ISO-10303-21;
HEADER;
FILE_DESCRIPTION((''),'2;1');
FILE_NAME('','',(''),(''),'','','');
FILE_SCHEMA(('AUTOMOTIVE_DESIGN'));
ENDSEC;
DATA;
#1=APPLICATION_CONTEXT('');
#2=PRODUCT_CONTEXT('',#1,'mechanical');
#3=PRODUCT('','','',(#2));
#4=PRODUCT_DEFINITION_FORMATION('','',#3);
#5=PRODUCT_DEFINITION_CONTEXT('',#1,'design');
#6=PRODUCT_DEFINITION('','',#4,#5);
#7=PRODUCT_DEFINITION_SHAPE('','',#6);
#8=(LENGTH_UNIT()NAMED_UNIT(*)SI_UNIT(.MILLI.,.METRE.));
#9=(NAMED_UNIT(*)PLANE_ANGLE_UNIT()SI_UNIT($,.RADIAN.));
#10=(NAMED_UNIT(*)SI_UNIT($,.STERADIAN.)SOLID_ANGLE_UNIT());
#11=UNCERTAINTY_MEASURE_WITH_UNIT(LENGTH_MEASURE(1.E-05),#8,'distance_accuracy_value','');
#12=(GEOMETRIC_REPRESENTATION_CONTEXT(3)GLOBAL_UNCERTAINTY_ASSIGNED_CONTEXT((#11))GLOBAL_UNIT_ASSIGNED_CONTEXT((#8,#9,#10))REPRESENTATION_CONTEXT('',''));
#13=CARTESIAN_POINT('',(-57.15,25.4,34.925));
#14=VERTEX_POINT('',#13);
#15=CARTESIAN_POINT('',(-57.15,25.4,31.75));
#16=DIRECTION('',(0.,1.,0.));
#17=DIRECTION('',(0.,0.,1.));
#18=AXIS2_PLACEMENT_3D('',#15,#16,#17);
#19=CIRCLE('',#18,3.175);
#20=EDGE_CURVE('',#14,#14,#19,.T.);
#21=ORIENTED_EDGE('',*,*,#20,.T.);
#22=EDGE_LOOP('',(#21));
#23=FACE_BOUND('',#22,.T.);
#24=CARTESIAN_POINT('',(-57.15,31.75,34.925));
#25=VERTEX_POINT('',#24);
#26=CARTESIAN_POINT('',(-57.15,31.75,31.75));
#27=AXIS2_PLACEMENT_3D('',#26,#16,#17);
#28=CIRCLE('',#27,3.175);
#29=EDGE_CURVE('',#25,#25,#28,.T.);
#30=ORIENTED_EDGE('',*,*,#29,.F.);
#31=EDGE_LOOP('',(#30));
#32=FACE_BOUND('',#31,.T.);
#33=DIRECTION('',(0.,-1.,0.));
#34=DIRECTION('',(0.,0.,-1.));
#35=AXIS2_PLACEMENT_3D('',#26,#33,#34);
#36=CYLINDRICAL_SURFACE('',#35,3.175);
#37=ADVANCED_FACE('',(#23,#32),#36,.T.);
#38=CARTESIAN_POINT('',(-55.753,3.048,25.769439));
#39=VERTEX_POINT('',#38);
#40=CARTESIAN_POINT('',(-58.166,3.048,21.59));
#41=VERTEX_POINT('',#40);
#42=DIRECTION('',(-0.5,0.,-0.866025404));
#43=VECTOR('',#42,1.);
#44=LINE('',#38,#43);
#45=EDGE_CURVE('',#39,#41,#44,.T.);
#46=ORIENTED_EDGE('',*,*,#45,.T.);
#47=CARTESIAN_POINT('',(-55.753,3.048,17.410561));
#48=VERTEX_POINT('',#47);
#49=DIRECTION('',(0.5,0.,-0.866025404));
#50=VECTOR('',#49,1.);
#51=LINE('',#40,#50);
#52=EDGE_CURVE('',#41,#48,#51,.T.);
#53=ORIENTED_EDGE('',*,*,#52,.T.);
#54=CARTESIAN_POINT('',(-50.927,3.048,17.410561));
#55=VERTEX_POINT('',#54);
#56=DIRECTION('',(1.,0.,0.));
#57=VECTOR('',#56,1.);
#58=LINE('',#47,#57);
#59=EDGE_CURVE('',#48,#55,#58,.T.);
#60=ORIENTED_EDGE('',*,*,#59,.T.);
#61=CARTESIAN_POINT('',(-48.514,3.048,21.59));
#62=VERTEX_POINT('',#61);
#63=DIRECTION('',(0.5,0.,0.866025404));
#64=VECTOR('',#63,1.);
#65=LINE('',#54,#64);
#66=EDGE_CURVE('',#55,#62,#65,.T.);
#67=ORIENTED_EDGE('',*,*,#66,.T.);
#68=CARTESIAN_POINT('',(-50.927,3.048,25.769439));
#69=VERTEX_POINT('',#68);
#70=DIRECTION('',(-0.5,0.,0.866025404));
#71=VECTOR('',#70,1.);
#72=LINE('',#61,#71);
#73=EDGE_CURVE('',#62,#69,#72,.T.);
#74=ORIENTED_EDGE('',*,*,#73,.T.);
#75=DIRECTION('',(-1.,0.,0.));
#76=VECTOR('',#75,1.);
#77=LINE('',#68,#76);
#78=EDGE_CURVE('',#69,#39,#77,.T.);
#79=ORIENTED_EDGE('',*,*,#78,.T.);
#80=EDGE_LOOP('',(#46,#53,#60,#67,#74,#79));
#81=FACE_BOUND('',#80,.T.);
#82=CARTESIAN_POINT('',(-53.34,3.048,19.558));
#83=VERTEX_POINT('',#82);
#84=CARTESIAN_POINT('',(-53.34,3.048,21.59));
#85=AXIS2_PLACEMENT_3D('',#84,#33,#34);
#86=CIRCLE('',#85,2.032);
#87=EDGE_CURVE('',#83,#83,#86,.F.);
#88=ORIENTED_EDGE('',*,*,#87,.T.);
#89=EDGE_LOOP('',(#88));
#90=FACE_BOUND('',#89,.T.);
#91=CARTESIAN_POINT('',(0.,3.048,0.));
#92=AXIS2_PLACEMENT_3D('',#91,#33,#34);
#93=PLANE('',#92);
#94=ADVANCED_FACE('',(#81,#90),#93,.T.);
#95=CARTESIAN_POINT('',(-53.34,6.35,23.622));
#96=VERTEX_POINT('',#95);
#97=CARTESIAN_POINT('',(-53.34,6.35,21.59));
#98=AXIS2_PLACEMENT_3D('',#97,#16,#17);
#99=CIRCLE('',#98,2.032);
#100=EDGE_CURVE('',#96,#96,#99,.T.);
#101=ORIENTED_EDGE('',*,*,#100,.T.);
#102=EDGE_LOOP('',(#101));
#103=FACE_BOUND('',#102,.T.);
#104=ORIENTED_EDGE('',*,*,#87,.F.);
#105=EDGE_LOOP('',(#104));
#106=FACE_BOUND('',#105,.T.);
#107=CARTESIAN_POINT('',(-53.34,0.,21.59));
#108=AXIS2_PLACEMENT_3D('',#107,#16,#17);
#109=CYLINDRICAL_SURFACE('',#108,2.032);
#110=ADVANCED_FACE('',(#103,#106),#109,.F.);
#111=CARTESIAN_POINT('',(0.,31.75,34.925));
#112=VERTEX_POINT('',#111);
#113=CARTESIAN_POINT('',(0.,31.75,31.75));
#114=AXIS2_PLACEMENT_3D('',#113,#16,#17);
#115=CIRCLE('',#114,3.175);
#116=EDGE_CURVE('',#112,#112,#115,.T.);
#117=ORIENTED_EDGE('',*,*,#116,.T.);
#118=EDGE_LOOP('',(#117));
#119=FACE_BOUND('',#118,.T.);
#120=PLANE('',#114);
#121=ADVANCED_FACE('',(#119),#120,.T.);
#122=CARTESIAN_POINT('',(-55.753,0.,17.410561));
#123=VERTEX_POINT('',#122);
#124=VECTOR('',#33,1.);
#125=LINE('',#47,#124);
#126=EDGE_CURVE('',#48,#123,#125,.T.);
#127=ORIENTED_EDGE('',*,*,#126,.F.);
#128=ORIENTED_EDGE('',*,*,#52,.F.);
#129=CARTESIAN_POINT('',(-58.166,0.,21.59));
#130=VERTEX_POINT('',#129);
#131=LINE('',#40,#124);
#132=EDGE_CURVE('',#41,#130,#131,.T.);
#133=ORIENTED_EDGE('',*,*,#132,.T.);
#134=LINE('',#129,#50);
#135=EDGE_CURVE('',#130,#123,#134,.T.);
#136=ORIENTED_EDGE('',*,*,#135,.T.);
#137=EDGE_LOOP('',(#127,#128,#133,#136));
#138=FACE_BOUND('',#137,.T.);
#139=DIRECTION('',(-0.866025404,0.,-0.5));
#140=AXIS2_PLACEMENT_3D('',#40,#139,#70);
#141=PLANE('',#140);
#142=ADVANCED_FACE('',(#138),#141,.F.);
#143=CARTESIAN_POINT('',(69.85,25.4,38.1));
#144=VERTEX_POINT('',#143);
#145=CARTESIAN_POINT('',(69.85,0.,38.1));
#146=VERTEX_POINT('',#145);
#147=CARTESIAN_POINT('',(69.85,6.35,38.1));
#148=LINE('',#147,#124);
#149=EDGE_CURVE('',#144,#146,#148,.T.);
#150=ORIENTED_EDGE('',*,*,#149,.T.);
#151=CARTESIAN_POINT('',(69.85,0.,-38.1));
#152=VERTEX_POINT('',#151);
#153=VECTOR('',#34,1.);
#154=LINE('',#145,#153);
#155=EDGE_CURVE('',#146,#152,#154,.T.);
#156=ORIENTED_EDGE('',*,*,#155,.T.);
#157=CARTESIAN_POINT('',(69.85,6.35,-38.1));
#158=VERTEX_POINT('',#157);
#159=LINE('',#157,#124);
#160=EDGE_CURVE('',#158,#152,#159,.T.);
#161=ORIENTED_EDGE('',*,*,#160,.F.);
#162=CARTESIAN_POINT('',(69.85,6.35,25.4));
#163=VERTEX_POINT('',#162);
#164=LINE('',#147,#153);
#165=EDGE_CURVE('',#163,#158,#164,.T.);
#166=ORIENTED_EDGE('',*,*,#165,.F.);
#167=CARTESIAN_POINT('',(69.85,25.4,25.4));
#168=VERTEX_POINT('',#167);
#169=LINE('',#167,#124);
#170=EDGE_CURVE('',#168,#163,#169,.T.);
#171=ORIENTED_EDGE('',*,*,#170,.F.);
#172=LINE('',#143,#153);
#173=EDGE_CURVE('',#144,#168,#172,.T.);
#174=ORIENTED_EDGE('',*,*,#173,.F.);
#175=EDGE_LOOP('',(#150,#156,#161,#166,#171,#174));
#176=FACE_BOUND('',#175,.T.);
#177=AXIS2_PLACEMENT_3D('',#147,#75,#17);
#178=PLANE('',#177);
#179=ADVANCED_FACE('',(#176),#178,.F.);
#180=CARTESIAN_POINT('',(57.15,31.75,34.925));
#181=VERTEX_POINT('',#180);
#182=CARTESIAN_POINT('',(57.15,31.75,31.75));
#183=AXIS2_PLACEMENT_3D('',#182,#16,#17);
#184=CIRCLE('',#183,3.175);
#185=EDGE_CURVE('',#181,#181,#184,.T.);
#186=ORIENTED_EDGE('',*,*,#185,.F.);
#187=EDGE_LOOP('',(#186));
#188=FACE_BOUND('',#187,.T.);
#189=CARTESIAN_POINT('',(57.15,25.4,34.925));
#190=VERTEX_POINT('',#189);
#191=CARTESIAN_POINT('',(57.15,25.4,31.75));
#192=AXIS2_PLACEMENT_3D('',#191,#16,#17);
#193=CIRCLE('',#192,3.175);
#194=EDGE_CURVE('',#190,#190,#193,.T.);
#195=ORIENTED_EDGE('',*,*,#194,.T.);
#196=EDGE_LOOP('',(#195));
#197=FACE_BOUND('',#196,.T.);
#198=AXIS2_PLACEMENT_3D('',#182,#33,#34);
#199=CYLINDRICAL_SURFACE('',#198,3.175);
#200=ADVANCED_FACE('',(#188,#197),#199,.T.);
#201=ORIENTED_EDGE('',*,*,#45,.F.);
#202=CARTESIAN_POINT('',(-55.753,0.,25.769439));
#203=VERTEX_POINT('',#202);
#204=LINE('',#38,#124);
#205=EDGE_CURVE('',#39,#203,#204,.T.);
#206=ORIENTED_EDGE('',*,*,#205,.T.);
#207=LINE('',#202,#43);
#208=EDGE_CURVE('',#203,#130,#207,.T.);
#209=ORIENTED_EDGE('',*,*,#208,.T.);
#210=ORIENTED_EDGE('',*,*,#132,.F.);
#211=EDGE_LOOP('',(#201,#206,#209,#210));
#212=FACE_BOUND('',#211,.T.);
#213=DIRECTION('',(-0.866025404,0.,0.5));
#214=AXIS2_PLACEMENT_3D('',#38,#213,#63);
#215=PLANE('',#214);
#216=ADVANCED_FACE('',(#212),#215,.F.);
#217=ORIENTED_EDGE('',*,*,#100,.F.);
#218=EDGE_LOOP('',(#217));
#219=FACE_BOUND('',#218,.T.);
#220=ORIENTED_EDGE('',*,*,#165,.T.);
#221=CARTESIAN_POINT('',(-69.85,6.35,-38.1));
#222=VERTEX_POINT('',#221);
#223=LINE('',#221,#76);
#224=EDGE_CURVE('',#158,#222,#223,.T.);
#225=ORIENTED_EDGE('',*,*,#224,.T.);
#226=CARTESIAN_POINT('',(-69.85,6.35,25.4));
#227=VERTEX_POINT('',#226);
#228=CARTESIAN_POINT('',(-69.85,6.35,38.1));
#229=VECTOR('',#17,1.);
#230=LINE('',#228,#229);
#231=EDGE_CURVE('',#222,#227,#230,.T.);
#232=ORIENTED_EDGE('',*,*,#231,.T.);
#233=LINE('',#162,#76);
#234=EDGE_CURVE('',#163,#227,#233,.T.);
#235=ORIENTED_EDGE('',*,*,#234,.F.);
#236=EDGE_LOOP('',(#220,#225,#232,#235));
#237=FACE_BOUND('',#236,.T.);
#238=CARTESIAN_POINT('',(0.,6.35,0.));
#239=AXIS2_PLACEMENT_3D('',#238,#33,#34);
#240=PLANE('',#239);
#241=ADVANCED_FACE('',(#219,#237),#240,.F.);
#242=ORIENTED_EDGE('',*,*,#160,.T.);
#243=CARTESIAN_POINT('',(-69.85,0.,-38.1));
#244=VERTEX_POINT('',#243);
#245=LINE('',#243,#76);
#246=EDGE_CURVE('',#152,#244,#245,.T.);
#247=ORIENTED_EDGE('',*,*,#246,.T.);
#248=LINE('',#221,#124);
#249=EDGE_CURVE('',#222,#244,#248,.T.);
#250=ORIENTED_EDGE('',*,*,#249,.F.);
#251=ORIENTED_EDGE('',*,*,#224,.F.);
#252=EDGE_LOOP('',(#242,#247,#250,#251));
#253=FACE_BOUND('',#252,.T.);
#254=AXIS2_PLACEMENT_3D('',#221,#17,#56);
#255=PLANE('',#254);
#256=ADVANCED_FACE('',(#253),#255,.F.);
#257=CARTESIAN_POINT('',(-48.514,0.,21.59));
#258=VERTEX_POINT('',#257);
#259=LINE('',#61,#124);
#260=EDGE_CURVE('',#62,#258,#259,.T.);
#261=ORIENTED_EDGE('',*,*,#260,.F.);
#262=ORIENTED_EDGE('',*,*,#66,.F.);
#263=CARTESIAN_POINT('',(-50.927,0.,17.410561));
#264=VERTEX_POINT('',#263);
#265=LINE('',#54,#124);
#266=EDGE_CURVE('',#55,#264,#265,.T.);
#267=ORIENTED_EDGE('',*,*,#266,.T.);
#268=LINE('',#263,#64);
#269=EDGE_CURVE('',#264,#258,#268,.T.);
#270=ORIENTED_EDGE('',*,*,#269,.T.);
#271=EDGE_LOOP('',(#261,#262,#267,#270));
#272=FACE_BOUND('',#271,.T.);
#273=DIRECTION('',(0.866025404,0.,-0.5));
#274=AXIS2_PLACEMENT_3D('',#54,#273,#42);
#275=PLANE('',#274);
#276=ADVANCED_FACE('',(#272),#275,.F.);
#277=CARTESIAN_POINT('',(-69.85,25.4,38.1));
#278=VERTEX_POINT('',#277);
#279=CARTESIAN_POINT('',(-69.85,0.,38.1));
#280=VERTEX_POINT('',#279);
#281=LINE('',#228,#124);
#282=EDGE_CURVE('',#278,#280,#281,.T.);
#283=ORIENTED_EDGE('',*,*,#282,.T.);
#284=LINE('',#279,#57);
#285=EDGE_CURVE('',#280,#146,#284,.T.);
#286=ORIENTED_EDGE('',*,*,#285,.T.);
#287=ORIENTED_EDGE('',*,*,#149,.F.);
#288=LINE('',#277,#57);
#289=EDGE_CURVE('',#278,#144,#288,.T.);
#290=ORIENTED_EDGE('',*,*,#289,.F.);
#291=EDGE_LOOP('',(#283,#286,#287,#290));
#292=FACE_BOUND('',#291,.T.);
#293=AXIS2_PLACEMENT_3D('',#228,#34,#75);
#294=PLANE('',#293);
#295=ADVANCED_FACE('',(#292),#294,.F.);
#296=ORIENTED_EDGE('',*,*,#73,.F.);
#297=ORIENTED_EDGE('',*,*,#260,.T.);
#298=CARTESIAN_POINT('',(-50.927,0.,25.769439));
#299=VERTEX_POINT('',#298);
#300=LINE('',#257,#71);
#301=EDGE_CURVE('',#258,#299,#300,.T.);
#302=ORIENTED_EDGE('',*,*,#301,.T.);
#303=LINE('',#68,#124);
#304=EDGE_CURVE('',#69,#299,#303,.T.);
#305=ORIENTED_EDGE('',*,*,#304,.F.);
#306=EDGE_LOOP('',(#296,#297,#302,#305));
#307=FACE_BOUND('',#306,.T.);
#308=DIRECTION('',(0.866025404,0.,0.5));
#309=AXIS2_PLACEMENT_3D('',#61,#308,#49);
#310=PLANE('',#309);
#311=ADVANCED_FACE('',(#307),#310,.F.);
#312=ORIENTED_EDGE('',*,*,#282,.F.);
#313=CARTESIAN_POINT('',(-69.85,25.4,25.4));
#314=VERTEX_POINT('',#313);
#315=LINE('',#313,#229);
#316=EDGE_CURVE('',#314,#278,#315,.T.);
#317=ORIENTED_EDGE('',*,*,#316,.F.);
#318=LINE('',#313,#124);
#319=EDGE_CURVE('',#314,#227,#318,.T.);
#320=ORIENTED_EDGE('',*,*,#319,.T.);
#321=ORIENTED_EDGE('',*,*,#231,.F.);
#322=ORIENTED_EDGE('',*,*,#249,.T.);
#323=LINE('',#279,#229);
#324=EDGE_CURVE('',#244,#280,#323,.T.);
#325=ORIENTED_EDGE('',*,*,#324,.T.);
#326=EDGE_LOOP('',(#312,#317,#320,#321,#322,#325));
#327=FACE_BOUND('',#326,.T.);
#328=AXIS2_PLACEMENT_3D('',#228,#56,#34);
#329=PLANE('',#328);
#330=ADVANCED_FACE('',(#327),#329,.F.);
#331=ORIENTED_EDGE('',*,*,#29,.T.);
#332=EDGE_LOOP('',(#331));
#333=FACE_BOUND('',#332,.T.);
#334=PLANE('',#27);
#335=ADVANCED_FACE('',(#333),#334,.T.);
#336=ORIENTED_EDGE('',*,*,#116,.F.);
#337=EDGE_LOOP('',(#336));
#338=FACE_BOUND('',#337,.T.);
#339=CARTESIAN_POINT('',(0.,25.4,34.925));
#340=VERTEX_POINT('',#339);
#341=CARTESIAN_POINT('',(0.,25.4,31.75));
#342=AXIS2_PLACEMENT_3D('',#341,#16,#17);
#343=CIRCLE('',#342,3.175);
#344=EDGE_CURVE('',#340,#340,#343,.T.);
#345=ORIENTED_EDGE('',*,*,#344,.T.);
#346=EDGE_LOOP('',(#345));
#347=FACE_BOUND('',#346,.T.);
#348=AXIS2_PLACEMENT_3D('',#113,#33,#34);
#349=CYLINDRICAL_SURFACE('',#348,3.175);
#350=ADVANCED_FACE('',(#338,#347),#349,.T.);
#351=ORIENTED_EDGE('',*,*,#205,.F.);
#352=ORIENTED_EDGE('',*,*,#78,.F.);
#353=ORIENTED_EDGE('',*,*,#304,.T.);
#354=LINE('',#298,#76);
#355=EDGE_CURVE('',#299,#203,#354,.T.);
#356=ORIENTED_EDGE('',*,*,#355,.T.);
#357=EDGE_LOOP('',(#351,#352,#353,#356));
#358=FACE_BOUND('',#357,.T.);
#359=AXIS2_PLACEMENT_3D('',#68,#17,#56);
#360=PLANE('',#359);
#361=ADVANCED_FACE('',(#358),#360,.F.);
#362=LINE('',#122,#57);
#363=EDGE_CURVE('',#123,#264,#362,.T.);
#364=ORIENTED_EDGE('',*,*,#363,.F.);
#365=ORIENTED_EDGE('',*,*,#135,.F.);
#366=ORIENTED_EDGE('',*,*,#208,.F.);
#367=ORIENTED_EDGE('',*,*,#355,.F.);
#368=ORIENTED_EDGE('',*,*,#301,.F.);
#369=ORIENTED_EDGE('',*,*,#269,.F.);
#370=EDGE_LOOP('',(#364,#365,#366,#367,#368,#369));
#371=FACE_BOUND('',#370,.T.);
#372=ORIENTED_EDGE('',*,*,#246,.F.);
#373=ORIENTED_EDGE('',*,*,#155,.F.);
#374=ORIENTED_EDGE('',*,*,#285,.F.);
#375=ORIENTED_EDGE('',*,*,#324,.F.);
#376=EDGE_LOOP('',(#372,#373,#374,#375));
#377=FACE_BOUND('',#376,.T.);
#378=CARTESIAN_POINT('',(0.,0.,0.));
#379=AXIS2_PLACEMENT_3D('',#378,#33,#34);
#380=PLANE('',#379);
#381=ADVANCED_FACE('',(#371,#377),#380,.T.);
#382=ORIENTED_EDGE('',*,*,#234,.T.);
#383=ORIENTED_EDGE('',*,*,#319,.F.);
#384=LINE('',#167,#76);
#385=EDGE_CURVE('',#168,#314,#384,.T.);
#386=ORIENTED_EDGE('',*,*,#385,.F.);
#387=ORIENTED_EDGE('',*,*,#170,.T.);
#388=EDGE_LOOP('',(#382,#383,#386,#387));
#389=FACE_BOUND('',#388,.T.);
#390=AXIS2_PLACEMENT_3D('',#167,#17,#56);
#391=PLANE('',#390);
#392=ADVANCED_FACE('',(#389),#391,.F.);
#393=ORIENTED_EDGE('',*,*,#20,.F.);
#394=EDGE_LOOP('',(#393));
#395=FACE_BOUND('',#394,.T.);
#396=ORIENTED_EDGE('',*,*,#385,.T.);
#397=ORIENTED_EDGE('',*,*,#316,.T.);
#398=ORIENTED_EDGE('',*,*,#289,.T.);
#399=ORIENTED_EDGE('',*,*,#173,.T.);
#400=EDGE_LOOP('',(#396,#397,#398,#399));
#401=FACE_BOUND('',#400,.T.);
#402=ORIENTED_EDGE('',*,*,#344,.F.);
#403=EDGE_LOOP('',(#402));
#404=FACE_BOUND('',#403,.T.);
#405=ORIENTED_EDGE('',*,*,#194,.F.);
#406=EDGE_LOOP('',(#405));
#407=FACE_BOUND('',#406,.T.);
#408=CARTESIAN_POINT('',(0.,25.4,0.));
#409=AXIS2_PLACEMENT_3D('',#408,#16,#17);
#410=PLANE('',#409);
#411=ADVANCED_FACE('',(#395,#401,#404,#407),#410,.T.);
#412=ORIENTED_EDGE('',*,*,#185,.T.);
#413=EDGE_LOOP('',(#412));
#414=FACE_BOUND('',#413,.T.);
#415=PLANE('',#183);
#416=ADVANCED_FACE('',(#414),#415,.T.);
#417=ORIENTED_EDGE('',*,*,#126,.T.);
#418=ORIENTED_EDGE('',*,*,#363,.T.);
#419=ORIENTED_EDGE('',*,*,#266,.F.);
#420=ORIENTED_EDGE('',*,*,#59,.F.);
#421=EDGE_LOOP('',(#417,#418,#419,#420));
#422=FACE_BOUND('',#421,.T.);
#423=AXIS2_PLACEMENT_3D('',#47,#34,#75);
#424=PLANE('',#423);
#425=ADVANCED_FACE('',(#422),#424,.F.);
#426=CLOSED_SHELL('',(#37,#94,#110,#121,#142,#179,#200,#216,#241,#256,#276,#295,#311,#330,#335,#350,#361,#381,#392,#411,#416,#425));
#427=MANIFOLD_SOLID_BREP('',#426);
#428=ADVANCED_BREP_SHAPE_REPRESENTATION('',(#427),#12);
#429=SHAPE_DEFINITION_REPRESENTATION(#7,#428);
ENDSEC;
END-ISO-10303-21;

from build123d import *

# Parameters (mm, degrees)
SKETCH1_W           = 139.7
SKETCH1_H           = 76.2
BOSS_EXTRUDE1_DEPTH = 6.35
SKETCH2_W           = 139.7
SKETCH2_H           = 12.7
BOSS_EXTRUDE2_DEPTH = 19.05
SKETCH3_R           = 2.032
CUT_EXTRUDE1_DEPTH  = 82.814026915
CUT_EXTRUDE2_DEPTH  = 3.048
SKETCH5_R           = 3.175
BOSS_EXTRUDE3_DEPTH = 6.35


with BuildPart() as part:
    # Sketch1 → Boss-Extrude1 (new body)
    with BuildSketch(Plane(origin=(0, 0, 0), x_dir=(1, 0, 0), z_dir=(0, 1, 0))):
        Rectangle(SKETCH1_W, SKETCH1_H)
    extrude(amount=BOSS_EXTRUDE1_DEPTH)

    # Sketch2 → Boss-Extrude2 (add)
    with BuildSketch(Plane(origin=(0, 6.35, 0), x_dir=(1, 0, 0), z_dir=(0, 1, 0))):
        with Locations((0, -31.75)):
            Rectangle(SKETCH2_W, SKETCH2_H)
    extrude(amount=BOSS_EXTRUDE2_DEPTH)

    # Sketch3 → Cut-Extrude1 (cut, through all)
    with BuildSketch(Plane(origin=(0, 6.35, 0), x_dir=(1, 0, 0), z_dir=(0, 1, 0))):
        with Locations(Location((-53.34, -21.59, 0), (0, 0, 270))):
            Circle(SKETCH3_R)
    extrude(amount=-CUT_EXTRUDE1_DEPTH, mode=Mode.SUBTRACT)

    # Sketch4 → Cut-Extrude2 (cut)
    with BuildSketch(Plane.XZ):
        Polygon((-50.927, 25.769438599), (-55.753, 25.769438599), (-58.166, 21.59), (-55.753, 17.410561401), (-50.927, 17.410561401), (-48.514, 21.59), align=None)
    extrude(amount=-CUT_EXTRUDE2_DEPTH, mode=Mode.SUBTRACT)

    # Sketch5 → Boss-Extrude3 (add)
    with BuildSketch(Plane(origin=(0, 25.4, 0), x_dir=(1, 0, 0), z_dir=(0, 1, 0))):
        with Locations(Location((-57.15, -31.75, 0), (0, 0, 270))):
            Circle(SKETCH5_R)
        with Locations(Location((0, -31.75, 0), (0, 0, 270))):
            Circle(SKETCH5_R)
        with Locations(Location((57.15, -31.75, 0), (0, 0, 270))):
            Circle(SKETCH5_R)
    extrude(amount=BOSS_EXTRUDE3_DEPTH)


solid = part.part
